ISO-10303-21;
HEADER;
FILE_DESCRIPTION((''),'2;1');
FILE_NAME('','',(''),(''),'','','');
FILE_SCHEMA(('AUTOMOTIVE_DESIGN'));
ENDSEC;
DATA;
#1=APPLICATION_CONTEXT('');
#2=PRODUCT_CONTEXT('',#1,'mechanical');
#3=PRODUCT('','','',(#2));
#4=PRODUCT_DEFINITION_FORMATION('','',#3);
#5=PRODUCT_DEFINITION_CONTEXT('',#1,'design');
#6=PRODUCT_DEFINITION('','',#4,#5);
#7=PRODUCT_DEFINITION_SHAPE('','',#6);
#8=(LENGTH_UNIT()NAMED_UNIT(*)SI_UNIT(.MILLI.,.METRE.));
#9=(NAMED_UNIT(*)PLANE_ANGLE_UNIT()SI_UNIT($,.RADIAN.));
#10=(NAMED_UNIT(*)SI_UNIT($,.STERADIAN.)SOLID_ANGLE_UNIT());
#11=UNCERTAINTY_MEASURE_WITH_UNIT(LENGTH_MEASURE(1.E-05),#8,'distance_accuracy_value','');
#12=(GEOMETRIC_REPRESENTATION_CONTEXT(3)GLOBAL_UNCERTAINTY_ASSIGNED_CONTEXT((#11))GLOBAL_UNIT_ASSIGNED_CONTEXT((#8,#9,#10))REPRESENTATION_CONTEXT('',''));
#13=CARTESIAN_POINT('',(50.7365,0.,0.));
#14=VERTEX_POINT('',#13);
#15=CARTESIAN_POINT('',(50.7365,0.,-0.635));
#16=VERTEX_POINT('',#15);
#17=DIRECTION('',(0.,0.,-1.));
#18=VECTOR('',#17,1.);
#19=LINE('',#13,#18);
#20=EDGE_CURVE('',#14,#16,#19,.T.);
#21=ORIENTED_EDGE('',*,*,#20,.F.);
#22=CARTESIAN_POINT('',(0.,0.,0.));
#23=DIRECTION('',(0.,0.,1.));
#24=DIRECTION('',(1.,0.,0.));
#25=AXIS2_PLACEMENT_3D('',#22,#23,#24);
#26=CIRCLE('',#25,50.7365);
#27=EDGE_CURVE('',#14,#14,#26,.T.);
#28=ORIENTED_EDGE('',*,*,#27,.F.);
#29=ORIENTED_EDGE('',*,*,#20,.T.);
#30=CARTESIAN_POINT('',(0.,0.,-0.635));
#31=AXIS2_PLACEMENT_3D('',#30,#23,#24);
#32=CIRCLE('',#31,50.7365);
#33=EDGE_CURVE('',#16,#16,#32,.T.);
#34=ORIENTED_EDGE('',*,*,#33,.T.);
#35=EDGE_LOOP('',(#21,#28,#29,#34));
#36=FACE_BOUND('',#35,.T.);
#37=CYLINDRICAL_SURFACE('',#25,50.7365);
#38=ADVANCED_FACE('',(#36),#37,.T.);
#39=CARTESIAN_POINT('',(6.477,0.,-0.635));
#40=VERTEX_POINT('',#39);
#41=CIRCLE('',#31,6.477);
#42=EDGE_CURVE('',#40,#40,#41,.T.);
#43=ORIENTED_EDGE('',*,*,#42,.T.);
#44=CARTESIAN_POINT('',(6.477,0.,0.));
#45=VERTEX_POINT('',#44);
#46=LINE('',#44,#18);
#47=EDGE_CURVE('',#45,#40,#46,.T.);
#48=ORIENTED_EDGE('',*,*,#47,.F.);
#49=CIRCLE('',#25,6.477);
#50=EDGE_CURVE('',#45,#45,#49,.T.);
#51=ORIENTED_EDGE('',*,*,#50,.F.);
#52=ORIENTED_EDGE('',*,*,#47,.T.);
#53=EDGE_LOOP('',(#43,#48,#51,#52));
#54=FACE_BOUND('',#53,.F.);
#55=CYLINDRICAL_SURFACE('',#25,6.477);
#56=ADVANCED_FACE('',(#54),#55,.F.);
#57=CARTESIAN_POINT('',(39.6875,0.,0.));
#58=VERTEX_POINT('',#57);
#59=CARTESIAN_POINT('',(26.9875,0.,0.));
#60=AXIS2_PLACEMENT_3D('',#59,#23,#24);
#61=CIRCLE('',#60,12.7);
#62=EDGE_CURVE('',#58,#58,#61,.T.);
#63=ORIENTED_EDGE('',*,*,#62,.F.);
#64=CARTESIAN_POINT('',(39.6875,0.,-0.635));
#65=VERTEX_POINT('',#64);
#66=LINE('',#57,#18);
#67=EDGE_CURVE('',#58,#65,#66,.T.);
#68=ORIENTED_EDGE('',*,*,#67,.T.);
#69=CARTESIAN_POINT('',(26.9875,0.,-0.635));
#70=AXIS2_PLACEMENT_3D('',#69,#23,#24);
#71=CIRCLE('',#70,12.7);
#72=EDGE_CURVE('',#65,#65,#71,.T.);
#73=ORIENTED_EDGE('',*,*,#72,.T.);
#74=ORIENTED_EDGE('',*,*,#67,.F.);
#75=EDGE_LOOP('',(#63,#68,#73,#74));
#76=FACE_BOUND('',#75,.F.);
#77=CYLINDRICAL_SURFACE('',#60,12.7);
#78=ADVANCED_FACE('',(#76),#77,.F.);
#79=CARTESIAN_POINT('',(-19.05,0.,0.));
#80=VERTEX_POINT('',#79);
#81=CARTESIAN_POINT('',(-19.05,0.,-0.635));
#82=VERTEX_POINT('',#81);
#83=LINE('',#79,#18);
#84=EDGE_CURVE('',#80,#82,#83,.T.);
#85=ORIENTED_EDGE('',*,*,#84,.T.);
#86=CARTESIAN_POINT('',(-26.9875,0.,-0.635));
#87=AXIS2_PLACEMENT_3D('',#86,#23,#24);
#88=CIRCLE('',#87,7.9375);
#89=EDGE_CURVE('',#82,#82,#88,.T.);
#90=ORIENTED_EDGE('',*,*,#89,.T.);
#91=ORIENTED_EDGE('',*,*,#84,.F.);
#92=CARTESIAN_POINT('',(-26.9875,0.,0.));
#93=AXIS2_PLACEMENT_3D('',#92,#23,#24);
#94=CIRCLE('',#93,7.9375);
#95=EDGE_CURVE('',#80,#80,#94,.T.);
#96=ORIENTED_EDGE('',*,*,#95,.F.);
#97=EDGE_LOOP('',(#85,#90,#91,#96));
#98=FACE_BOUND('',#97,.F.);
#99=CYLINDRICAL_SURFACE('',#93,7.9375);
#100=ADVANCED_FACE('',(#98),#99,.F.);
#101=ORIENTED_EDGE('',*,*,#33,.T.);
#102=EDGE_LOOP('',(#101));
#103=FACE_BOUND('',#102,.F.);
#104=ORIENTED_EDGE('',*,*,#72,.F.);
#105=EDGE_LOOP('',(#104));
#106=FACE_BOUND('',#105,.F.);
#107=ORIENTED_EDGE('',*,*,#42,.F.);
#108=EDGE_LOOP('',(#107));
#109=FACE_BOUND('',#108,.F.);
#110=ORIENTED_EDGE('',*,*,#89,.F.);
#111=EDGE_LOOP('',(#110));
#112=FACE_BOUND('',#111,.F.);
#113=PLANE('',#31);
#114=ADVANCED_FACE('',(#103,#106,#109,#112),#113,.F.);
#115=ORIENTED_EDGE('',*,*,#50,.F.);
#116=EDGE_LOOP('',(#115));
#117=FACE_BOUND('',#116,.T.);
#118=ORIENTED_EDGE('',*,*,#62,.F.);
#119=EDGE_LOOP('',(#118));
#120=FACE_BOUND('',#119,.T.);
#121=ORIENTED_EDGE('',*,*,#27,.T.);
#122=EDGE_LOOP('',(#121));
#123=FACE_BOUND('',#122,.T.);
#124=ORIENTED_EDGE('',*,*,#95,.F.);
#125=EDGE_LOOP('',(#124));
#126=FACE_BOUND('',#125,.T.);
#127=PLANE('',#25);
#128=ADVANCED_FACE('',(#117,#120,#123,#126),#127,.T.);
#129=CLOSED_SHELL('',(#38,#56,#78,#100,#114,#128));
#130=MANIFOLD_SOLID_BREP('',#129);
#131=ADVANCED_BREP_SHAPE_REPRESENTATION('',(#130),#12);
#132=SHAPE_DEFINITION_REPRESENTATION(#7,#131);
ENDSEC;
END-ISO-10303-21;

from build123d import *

# Parameters (mm, degrees)
F0_R     = 50.7365
F0_R_2   = 44.45
F0_R_3   = 7.9375
F0_R_4   = 6.477
F0_R_5   = 12.7
F1_DEPTH = 0.635


with BuildPart() as f1:
    # F0 (on Top) → F1 (new body)
    with BuildSketch(Plane.XY):
        Circle(F0_R)
        Circle(F0_R_2, mode=Mode.SUBTRACT)
        Circle(F0_R_2)
        with Locations((-26.9875, 0)):
            Circle(F0_R_3, mode=Mode.SUBTRACT)
        Circle(F0_R_4, mode=Mode.SUBTRACT)
        with Locations((26.9875, 0)):
            Circle(F0_R_5, mode=Mode.SUBTRACT)
    extrude(amount=-F1_DEPTH)


solid = f1.part
